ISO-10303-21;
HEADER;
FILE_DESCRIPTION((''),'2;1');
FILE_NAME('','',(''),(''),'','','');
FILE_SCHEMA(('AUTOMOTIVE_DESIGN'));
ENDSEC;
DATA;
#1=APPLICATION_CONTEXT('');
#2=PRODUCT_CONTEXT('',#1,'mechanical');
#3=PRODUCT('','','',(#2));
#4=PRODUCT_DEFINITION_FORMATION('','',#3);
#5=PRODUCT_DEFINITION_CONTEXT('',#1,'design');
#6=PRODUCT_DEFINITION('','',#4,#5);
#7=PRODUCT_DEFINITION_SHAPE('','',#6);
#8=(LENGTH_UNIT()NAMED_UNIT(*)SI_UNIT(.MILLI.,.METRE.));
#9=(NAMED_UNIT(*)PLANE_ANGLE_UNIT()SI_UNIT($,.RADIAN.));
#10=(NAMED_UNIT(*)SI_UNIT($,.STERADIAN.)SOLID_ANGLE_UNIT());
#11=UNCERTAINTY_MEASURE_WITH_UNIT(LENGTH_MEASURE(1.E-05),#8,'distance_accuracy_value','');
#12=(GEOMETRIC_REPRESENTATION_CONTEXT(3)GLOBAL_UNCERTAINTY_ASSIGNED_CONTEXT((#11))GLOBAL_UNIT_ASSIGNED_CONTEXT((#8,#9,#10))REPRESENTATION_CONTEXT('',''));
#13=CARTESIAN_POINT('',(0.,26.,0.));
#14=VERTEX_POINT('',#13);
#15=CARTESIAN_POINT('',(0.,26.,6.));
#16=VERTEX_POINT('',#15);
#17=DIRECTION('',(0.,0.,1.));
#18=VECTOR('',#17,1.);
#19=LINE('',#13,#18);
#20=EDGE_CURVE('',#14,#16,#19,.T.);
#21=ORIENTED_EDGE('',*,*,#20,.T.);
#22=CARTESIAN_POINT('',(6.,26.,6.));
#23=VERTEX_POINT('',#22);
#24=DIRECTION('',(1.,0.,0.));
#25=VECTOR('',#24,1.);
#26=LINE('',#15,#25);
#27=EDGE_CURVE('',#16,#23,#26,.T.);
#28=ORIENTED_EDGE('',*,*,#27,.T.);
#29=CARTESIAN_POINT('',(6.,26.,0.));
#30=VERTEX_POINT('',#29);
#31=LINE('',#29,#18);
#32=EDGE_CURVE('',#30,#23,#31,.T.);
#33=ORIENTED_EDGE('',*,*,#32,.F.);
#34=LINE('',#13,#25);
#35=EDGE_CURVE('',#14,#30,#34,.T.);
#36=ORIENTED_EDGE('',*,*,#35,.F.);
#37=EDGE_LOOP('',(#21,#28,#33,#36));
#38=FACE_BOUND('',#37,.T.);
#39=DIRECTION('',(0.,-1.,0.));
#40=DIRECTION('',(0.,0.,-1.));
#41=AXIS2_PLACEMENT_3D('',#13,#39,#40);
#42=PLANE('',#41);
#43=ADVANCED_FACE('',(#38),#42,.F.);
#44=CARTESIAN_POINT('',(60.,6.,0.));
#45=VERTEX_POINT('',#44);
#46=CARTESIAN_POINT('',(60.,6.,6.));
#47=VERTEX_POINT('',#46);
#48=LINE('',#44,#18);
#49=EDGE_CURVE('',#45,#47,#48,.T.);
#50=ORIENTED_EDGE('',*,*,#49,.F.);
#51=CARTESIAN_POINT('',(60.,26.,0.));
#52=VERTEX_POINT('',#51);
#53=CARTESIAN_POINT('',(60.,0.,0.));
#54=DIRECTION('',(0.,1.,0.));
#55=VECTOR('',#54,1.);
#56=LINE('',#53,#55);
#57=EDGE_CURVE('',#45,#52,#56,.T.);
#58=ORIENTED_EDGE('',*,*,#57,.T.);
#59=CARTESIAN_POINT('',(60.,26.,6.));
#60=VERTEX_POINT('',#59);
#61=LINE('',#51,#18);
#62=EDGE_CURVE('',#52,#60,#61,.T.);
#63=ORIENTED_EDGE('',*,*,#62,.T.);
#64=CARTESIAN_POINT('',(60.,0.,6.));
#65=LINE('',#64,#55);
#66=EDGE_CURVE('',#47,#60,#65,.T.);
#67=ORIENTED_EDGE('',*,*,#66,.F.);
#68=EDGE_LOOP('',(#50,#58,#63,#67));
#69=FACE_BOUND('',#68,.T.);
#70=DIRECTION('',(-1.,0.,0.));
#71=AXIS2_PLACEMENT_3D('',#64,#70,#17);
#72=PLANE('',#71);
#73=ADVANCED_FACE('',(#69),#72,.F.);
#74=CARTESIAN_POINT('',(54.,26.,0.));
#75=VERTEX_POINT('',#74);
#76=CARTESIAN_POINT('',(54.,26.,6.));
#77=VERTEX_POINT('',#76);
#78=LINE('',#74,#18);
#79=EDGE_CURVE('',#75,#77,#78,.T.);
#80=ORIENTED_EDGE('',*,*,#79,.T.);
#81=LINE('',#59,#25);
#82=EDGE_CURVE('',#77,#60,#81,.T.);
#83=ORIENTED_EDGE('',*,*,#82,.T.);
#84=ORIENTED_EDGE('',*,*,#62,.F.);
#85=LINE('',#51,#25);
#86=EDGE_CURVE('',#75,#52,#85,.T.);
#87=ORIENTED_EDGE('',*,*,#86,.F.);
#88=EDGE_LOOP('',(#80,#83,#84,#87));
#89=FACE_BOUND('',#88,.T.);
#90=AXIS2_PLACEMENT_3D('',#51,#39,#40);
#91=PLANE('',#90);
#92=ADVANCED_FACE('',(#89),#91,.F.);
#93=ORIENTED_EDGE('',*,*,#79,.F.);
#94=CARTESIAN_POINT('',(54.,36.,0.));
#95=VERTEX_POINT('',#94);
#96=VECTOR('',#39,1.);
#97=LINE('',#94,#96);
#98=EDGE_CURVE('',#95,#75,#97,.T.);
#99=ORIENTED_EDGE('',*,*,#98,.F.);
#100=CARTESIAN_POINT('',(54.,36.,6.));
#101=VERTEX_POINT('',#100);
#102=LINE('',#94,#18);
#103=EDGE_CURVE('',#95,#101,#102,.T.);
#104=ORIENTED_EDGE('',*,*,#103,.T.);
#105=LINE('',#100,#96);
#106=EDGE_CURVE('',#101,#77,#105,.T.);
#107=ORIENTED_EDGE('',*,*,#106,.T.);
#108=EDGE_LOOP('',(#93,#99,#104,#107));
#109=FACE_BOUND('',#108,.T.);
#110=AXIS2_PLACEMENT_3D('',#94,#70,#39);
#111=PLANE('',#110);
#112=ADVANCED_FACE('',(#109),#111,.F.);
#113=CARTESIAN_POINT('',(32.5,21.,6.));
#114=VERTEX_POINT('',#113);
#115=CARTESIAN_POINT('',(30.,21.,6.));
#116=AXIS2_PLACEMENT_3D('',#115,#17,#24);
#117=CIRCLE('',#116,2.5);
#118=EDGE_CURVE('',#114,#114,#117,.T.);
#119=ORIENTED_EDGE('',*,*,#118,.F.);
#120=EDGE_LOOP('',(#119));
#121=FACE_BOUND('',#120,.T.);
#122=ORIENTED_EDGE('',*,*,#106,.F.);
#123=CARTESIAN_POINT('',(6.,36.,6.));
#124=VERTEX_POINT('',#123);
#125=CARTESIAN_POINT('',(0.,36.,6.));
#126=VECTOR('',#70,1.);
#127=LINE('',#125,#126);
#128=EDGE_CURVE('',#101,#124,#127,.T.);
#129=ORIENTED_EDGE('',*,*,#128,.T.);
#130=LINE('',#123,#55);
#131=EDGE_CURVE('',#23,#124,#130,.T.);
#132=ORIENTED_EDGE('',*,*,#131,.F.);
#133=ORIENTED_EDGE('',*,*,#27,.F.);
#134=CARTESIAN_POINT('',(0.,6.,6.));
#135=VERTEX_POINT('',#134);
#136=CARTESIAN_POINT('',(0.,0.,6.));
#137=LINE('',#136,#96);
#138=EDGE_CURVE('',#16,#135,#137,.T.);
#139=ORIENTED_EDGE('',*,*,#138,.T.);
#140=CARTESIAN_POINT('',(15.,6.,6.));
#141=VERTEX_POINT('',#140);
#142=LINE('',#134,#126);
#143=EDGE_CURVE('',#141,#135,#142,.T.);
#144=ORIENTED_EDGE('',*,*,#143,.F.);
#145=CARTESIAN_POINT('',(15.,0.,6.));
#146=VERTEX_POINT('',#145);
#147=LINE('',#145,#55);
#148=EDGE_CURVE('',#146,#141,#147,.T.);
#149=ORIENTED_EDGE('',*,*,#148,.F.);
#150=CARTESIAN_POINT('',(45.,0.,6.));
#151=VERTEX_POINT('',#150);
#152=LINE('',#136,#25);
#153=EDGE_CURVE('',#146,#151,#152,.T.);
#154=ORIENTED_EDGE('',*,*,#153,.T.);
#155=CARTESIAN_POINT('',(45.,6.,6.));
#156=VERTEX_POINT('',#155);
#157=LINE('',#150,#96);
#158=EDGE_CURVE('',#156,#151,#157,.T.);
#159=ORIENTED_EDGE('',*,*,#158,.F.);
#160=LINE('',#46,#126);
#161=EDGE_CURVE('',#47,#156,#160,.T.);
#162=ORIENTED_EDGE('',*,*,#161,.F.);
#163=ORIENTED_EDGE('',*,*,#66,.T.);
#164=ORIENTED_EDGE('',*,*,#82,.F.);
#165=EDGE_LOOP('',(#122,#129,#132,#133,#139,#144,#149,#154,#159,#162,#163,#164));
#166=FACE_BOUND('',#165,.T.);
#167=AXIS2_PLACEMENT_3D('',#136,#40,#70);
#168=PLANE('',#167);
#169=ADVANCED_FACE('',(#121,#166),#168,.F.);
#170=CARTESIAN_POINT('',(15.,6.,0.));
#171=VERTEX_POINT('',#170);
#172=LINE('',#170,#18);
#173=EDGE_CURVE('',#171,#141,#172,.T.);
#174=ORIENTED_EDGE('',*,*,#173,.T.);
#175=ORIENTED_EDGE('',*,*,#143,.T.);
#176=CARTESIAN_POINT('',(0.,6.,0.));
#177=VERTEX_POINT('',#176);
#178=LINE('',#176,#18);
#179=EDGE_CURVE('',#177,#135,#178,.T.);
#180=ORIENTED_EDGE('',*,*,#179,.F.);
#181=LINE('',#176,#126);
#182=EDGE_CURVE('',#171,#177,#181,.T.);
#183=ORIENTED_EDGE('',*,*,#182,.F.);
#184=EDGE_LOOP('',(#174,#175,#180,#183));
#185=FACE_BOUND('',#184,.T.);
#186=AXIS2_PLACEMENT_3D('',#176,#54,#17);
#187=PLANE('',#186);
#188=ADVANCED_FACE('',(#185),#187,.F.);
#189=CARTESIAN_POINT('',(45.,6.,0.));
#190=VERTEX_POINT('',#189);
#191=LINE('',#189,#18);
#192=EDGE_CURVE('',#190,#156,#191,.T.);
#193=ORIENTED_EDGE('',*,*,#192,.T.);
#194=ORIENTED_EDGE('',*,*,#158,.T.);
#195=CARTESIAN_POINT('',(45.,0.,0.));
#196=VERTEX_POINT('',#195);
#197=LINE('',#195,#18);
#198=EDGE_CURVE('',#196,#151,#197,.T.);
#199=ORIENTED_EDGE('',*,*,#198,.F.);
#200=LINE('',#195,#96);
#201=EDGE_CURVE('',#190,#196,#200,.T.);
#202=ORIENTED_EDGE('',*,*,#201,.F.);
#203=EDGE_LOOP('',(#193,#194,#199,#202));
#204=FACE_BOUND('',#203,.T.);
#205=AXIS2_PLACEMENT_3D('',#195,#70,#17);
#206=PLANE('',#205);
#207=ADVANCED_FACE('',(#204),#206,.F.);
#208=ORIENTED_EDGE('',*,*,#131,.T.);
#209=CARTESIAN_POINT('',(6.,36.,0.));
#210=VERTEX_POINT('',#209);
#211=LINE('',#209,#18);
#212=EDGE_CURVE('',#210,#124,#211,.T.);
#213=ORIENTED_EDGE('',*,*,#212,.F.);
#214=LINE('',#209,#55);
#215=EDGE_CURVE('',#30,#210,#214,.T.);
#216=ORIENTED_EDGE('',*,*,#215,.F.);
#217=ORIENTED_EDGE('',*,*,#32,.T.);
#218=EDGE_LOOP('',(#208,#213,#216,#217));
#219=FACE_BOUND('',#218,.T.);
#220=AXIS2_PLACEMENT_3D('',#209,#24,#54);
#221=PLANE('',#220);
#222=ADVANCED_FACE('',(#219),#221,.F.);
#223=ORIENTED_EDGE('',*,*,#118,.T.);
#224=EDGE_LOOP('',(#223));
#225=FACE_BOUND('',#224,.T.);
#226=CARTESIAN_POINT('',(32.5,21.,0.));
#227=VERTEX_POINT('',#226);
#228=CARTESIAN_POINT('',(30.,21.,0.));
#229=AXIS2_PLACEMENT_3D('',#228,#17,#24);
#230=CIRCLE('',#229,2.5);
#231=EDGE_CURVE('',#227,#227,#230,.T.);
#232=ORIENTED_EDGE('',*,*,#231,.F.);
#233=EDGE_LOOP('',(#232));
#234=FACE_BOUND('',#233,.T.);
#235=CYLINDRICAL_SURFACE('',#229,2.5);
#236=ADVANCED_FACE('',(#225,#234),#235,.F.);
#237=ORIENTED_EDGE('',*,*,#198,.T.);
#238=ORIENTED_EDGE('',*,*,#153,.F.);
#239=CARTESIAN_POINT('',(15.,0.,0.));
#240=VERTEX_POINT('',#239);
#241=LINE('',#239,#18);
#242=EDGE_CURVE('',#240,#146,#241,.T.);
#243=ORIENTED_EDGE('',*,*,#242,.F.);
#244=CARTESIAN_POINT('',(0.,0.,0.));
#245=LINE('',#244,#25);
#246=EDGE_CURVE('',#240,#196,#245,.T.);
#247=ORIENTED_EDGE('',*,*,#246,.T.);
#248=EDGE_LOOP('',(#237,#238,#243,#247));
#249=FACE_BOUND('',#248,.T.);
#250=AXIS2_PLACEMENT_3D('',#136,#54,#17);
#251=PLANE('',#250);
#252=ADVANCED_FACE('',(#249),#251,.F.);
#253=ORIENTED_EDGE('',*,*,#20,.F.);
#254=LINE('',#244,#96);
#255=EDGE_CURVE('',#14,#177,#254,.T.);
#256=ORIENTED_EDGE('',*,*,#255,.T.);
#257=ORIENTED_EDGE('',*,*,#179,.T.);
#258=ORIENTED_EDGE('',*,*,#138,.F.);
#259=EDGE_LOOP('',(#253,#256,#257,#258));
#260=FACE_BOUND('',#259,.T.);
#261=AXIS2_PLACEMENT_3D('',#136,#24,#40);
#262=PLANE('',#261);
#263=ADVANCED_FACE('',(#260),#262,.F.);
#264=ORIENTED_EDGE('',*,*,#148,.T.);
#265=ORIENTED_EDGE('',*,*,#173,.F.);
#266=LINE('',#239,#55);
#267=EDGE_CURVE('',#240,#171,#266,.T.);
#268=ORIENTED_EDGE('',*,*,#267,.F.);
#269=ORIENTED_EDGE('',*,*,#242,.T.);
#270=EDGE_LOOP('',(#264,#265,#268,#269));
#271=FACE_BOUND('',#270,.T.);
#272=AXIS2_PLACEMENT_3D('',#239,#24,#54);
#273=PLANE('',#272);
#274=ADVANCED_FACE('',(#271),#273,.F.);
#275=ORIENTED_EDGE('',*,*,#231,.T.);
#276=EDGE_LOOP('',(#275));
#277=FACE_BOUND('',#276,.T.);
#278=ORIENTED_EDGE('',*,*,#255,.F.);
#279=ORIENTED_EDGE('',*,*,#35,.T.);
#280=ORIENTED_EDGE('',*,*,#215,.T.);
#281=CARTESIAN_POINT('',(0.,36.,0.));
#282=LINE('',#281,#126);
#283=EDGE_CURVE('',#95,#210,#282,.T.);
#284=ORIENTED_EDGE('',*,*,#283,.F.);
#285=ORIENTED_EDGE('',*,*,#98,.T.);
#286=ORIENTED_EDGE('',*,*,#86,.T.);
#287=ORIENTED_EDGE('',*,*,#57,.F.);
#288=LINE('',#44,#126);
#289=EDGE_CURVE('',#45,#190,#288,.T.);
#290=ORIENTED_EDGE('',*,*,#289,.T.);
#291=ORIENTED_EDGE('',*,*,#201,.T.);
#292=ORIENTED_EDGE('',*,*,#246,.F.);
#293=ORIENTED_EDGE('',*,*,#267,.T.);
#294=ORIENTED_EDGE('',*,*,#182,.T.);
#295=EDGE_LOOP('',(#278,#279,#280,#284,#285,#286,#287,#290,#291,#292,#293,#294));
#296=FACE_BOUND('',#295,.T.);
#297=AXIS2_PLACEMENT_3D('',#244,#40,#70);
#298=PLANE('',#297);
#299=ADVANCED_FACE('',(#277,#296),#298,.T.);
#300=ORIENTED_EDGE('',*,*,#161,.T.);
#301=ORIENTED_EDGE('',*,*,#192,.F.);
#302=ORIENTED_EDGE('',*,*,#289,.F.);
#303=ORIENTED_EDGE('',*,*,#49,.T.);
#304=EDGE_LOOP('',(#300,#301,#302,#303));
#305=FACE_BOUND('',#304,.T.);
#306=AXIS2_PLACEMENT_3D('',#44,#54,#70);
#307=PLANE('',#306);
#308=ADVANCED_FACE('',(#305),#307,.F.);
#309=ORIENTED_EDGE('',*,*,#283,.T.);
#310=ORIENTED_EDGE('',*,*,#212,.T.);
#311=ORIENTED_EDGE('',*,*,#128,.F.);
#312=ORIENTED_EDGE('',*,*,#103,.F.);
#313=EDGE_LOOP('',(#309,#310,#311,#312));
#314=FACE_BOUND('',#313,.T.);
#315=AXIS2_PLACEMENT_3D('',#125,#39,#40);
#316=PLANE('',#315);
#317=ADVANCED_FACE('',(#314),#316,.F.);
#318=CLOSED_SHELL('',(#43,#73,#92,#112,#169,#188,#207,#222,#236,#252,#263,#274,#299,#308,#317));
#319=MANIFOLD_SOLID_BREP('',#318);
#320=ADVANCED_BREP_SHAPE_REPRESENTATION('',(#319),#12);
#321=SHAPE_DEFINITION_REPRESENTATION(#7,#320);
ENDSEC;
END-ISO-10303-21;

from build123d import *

# Parameters (mm, degrees)
SKETCH1_W           = 60
SKETCH1_H           = 36
BOSS_EXTRUDE1_DEPTH = 6
SKETCH2_W           = 15
SKETCH2_H           = 6
CUT_EXTRUDE1_DEPTH  = 6
SKETCH3_W           = 6
SKETCH3_H           = 10
CUT_EXTRUDE2_DEPTH  = 6
SKETCH4_R           = 2.5
CUT_EXTRUDE3_DEPTH  = 6


with BuildPart() as part:
    # Sketch1 → Boss-Extrude1 (new body)
    with BuildSketch(Plane.XY):
        with Locations((30, 18)):
            Rectangle(SKETCH1_W, SKETCH1_H)
    extrude(amount=BOSS_EXTRUDE1_DEPTH)

    # Sketch2 → Cut-Extrude1 (cut)
    with BuildSketch(Plane.XY.offset(6)):
        with Locations((7.5, 3)):
            Rectangle(SKETCH2_W, SKETCH2_H)
        with Locations((52.5, 3)):
            Rectangle(SKETCH2_W, SKETCH2_H)
    extrude(amount=-CUT_EXTRUDE1_DEPTH, mode=Mode.SUBTRACT)

    # Sketch3 → Cut-Extrude2 (cut)
    with BuildSketch(Plane.XY.offset(6)):
        with Locations((3, 31)):
            Rectangle(SKETCH3_W, SKETCH3_H)
        with Locations((57, 31)):
            Rectangle(SKETCH3_W, SKETCH3_H)
    extrude(amount=-CUT_EXTRUDE2_DEPTH, mode=Mode.SUBTRACT)

    # Sketch4 → Cut-Extrude3 (cut)
    with BuildSketch(Plane.XY.offset(6)):
        with Locations((30, 21)):
            Circle(SKETCH4_R)
    extrude(amount=-CUT_EXTRUDE3_DEPTH, mode=Mode.SUBTRACT)


solid = part.part
